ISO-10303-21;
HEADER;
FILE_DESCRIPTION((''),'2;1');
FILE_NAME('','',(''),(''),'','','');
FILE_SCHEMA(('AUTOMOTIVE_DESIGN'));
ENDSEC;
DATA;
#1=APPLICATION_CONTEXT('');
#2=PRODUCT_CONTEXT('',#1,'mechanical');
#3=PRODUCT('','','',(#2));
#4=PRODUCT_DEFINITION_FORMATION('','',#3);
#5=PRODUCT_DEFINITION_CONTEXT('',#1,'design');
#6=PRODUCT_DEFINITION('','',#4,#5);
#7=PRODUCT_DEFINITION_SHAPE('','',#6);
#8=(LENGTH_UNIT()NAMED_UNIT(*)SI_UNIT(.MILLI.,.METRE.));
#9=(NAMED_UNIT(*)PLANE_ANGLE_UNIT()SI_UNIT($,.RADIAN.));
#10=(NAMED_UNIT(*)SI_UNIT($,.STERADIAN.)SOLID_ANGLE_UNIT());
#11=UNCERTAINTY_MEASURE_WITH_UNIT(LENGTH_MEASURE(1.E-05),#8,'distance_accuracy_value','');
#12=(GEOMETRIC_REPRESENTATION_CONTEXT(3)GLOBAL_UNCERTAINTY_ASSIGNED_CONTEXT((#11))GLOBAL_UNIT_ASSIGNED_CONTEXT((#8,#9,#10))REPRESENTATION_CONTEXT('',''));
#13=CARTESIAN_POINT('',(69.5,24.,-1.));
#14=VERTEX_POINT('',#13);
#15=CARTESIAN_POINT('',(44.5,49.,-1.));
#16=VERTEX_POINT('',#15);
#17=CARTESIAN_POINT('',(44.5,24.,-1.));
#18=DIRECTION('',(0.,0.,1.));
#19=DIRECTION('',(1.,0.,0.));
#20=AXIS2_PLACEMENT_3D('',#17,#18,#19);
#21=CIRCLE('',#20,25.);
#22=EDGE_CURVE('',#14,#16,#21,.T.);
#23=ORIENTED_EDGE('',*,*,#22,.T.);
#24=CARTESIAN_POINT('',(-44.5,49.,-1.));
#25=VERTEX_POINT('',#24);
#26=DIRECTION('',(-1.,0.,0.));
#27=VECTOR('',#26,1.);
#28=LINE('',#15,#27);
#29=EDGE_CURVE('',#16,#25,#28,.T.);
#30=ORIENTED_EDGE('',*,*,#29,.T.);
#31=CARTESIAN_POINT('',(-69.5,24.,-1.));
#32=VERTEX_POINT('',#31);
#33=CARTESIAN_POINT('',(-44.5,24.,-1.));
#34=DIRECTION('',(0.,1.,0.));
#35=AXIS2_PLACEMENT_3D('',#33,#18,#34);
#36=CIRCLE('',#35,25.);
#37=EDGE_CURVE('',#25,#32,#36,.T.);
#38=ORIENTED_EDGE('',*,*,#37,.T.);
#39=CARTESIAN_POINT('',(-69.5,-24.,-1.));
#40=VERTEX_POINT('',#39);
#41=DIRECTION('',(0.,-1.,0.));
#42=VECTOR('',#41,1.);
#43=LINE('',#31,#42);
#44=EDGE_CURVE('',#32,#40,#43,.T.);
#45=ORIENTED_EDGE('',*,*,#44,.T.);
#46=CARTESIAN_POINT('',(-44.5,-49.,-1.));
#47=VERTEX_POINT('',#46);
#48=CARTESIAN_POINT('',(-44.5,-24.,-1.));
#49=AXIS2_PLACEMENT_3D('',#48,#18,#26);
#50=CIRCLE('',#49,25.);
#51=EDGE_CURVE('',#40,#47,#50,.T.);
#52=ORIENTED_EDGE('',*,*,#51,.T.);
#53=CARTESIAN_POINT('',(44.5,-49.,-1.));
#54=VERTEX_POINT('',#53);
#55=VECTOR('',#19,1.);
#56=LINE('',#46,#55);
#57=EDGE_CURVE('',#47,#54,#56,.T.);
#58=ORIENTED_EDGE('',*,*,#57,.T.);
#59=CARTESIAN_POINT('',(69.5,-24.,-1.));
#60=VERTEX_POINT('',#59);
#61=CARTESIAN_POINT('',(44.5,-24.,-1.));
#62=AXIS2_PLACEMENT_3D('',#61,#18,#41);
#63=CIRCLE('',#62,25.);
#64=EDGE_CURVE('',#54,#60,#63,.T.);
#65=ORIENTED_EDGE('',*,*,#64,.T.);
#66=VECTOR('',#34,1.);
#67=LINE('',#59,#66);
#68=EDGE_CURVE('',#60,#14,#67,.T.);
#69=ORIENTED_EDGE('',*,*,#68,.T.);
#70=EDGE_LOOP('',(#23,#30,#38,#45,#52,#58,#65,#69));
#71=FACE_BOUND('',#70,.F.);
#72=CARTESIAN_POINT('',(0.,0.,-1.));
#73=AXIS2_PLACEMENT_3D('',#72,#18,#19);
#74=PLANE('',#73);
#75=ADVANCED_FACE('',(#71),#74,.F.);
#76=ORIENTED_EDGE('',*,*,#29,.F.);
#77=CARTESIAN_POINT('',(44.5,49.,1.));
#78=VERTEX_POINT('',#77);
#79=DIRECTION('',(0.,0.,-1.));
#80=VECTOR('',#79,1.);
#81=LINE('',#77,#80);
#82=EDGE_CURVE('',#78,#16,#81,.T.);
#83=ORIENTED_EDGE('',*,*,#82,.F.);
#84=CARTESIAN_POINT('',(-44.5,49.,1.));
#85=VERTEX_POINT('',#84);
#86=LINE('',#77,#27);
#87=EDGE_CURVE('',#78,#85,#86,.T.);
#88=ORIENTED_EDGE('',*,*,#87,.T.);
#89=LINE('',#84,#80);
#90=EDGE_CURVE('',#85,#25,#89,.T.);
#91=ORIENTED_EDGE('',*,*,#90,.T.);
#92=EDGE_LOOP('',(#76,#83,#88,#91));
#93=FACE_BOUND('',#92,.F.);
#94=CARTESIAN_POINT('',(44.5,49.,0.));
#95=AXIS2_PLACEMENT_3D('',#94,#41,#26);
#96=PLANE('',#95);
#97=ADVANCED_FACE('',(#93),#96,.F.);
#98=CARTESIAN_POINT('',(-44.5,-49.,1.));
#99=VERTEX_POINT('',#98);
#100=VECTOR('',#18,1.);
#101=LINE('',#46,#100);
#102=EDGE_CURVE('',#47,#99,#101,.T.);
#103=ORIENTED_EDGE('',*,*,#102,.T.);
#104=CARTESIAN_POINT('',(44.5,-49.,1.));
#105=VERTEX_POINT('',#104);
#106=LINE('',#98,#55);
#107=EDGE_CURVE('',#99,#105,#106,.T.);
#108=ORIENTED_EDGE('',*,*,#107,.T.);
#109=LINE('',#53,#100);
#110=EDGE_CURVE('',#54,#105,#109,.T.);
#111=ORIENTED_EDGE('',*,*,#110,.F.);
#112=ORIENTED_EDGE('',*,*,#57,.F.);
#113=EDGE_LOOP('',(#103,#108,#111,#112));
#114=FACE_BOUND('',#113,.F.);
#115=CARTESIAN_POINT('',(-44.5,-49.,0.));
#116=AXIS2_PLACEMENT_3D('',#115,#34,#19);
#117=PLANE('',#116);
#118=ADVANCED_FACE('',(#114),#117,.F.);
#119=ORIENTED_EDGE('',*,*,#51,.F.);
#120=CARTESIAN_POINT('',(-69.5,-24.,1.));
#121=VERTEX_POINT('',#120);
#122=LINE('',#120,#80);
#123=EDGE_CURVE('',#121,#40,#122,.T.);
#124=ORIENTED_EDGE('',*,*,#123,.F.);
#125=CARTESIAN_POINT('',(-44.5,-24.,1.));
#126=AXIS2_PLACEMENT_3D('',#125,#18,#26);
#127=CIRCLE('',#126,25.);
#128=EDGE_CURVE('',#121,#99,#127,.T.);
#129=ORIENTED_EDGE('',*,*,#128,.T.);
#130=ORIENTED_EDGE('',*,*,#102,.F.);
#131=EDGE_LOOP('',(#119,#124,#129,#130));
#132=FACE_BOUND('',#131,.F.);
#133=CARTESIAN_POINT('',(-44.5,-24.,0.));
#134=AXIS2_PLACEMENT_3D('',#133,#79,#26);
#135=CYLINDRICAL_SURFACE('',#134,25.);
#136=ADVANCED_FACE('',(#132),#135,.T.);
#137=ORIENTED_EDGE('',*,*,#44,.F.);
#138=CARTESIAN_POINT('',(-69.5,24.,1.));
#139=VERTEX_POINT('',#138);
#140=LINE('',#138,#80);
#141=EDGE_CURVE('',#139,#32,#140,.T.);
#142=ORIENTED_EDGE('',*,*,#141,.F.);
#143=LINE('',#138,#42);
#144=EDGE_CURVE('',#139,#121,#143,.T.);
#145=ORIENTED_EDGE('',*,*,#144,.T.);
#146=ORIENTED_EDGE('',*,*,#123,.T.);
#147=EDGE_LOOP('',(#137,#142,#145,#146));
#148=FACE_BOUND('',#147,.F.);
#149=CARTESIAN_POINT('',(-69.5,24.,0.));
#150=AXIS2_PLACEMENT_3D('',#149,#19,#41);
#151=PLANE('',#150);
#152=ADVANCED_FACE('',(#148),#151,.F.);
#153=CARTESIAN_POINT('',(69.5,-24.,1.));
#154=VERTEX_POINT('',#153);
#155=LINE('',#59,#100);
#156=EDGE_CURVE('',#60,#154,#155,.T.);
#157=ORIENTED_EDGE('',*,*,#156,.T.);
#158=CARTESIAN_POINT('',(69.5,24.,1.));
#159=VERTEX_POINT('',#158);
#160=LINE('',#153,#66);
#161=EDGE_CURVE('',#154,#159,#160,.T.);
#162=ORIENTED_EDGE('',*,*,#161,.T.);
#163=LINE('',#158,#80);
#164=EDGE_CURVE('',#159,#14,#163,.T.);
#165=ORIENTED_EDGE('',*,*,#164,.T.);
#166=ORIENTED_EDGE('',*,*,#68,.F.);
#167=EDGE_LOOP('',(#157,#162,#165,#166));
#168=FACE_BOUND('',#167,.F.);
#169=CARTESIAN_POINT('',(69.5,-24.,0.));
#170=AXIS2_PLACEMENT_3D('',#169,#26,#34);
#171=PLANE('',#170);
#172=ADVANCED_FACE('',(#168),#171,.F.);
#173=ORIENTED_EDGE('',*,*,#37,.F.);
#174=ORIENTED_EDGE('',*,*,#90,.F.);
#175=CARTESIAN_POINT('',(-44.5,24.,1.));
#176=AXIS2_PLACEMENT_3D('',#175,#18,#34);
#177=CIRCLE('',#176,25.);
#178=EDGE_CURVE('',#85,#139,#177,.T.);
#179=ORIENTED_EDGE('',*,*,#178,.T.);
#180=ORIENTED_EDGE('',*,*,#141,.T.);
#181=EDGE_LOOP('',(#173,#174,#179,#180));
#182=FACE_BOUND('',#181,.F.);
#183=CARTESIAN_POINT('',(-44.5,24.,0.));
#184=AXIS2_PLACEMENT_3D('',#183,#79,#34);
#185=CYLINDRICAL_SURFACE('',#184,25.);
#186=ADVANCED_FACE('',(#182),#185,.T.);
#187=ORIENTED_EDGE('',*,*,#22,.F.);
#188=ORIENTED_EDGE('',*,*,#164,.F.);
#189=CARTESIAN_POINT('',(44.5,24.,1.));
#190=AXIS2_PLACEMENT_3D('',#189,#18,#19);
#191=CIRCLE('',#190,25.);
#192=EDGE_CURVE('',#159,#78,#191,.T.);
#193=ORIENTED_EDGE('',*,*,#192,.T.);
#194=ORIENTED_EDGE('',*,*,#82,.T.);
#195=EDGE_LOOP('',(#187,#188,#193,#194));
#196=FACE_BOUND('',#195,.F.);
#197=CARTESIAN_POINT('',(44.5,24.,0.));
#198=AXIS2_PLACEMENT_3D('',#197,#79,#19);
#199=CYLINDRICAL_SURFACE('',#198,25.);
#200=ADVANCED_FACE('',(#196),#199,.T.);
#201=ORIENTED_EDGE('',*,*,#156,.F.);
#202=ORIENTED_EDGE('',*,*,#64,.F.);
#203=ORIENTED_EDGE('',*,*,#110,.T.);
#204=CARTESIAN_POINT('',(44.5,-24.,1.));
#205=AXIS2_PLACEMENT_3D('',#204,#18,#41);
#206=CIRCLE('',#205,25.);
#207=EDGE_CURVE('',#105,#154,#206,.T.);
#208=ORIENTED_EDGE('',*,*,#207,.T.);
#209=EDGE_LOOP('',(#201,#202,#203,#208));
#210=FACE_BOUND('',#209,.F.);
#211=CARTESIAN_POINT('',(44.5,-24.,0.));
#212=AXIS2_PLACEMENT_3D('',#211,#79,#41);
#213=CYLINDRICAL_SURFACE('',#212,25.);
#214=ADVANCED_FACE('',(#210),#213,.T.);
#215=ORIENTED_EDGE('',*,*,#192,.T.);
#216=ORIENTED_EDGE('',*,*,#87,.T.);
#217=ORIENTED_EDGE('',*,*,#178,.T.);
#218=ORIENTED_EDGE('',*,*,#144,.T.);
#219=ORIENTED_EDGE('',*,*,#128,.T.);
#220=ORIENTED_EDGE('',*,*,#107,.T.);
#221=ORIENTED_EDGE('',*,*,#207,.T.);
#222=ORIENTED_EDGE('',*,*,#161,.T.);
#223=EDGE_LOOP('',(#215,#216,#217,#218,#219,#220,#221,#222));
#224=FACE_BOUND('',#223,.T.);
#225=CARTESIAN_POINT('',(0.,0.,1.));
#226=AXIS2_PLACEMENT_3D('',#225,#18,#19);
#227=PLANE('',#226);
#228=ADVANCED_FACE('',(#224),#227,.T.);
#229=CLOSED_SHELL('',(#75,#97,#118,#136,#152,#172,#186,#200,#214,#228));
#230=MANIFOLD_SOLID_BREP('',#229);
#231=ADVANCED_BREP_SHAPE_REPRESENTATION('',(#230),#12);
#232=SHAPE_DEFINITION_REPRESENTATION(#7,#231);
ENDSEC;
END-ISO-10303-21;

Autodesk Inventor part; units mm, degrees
ref_plane "YZ Plane" through (0, 0, 0) normal (1, 0, 0) x (0, 1, 0)
ref_plane "XZ Plane" through (0, 0, 0) normal (0, 1, 0) x (-1, 0, 0)
ref_plane "XY Plane" through (0, 0, 0) normal (0, 0, 1) x (1, 0, 0)
sketch "Sketch1" plane through (0, 0, 0) normal (0, 0, 1) x (1, 0, 0)
  line L0 (-44.5, -49) -> (44.5, -49)
  line L1 (69.5, -24) -> (69.5, 24)
  line L2 (44.5, 49) -> (-44.5, 49)
  line L3 (-69.5, 24) -> (-69.5, -24)
  line L4 (-69.5, -49) -> (69.5, 49) construction
  line L5 (69.5, -49) -> (-69.5, 49) construction
  arc A0 (69.5, 24) -> (44.5, 49) centre (44.5, 24) ccw
  arc A1 (44.5, -49) -> (69.5, -24) centre (44.5, -24) ccw
  arc A2 (-69.5, -24) -> (-44.5, -49) centre (-44.5, -24) ccw
  arc A3 (-44.5, 49) -> (-69.5, 24) centre (-44.5, 24) ccw
  point P0 (0, 0)
  dimension "d0" = 139
  dimension "d1" = 98
  dimension "d2" = 25
extrude "Extrusion1" add sketch "Sketch1" along normal mid plane 2
properties part number "Game_ColonyPort"
